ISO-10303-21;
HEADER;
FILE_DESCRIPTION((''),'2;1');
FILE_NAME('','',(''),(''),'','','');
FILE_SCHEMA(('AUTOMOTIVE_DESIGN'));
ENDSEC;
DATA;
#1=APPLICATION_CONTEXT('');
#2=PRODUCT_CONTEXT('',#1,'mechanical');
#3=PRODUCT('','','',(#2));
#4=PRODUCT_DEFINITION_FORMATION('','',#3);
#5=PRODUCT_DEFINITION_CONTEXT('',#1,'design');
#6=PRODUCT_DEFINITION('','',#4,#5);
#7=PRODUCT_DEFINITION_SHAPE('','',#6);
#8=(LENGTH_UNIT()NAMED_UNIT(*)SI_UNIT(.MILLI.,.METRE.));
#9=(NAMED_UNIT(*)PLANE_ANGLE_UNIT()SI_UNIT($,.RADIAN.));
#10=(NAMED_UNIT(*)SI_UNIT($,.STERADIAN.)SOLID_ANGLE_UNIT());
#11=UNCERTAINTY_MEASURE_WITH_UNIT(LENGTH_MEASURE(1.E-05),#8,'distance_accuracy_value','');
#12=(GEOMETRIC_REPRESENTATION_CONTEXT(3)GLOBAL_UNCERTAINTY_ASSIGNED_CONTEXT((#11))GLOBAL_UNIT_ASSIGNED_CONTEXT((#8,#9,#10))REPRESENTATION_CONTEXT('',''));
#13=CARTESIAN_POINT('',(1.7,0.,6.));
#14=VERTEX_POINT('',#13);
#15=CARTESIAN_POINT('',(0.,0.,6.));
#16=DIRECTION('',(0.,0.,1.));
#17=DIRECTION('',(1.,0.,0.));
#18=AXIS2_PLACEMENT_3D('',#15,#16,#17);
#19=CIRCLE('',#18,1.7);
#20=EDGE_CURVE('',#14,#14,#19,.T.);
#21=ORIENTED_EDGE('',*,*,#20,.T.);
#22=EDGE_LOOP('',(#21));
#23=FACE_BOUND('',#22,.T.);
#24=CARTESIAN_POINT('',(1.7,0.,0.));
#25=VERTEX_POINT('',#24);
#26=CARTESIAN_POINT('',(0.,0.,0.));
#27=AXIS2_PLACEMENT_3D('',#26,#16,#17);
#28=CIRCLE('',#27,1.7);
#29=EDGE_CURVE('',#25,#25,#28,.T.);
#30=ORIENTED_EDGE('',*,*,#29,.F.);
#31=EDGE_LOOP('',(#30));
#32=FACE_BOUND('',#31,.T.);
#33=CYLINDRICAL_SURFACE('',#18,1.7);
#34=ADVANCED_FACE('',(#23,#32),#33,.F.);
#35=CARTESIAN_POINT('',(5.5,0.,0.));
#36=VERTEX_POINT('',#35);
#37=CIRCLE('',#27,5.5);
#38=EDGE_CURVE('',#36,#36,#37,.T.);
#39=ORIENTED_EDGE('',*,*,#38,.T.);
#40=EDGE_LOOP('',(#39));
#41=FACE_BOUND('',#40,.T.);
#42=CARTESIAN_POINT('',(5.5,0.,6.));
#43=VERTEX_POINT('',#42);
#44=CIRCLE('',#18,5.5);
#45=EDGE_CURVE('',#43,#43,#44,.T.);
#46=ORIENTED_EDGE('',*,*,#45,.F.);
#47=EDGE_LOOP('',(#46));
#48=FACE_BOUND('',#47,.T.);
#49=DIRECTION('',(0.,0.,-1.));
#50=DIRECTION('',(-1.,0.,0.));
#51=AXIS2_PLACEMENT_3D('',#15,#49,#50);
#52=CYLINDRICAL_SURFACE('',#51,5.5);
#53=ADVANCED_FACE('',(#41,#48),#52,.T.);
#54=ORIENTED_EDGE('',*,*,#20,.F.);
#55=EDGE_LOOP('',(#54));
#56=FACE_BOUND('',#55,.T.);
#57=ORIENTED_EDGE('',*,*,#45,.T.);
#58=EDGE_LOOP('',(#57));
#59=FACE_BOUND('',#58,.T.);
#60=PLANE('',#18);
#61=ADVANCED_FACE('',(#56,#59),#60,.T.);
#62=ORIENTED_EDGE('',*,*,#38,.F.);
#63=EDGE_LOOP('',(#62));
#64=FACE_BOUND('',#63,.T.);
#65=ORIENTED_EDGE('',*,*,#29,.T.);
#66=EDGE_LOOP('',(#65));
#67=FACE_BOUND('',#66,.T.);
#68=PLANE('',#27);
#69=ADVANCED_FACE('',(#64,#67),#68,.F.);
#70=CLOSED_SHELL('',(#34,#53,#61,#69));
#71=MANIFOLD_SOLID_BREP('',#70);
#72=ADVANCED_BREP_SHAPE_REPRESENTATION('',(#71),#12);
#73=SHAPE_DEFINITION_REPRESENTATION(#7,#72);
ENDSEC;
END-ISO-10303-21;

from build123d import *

# Parameters (mm, degrees)
SKETCH1_R            = 5.5
BOSS_EXTRUDE1_DEPTH  = 6
M3_CLEARANCE_HOLE1_D = 3.4


with BuildPart() as part:
    # Sketch1 → Boss-Extrude1 (new body)
    with BuildSketch(Plane.XY):
        Circle(SKETCH1_R)
    extrude(amount=BOSS_EXTRUDE1_DEPTH)

    # M3 Clearance Hole1 (through all)
    with Locations(Plane.XY.offset(6)):
        with Locations((0, 0)):
            Hole(M3_CLEARANCE_HOLE1_D / 2)


solid = part.part
